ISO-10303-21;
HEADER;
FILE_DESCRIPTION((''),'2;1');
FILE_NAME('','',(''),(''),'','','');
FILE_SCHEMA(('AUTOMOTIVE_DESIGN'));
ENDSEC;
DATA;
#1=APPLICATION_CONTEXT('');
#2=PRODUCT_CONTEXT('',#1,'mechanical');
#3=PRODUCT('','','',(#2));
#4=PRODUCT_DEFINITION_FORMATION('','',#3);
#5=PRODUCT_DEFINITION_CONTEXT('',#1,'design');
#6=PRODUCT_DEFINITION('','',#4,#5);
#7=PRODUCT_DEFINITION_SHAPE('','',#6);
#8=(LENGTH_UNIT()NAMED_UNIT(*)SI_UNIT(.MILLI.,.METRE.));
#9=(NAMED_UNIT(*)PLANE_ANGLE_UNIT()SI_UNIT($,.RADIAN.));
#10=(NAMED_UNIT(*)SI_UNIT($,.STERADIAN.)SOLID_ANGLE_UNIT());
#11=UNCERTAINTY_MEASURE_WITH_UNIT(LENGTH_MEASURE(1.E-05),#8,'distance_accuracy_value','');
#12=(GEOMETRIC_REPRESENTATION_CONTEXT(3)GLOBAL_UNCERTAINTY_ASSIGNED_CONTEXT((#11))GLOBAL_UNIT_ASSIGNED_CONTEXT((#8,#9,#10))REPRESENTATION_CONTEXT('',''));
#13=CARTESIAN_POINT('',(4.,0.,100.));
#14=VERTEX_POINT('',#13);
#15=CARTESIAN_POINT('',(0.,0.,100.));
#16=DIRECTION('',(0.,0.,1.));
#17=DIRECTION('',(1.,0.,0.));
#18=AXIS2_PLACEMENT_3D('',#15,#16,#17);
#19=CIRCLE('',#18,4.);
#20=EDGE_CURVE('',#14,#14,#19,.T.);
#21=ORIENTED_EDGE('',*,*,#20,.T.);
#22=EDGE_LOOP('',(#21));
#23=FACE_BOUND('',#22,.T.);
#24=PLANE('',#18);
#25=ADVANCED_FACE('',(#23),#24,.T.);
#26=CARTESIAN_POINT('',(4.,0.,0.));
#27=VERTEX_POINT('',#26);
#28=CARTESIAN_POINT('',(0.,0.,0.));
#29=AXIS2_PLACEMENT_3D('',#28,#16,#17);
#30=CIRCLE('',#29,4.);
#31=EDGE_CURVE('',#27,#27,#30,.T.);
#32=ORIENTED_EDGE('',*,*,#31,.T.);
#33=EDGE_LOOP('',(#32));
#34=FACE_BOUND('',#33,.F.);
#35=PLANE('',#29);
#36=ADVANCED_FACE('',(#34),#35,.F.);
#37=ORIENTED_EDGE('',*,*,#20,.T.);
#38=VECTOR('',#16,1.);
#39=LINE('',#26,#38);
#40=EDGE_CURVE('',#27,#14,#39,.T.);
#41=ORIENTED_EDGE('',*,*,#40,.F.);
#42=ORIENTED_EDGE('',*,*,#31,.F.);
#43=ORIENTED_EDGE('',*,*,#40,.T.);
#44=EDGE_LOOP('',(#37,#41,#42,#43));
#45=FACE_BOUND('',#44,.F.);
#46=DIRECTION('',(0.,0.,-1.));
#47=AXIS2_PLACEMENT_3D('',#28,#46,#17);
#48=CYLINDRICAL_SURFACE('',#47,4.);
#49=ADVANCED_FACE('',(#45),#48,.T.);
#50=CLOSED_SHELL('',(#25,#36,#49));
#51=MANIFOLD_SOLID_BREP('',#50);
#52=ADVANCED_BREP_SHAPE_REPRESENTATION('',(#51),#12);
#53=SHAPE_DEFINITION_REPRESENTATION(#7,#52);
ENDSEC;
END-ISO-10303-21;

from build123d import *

# Parameters (mm, degrees)
ESQUISSE1_R        = 4
BOSS_EXTRU_1_DEPTH = 100


with BuildPart() as part:
    # Esquisse1 → Boss.-Extru.1 (new body)
    with BuildSketch(Plane.XY):
        Circle(ESQUISSE1_R)
    extrude(amount=BOSS_EXTRU_1_DEPTH)


solid = part.part
